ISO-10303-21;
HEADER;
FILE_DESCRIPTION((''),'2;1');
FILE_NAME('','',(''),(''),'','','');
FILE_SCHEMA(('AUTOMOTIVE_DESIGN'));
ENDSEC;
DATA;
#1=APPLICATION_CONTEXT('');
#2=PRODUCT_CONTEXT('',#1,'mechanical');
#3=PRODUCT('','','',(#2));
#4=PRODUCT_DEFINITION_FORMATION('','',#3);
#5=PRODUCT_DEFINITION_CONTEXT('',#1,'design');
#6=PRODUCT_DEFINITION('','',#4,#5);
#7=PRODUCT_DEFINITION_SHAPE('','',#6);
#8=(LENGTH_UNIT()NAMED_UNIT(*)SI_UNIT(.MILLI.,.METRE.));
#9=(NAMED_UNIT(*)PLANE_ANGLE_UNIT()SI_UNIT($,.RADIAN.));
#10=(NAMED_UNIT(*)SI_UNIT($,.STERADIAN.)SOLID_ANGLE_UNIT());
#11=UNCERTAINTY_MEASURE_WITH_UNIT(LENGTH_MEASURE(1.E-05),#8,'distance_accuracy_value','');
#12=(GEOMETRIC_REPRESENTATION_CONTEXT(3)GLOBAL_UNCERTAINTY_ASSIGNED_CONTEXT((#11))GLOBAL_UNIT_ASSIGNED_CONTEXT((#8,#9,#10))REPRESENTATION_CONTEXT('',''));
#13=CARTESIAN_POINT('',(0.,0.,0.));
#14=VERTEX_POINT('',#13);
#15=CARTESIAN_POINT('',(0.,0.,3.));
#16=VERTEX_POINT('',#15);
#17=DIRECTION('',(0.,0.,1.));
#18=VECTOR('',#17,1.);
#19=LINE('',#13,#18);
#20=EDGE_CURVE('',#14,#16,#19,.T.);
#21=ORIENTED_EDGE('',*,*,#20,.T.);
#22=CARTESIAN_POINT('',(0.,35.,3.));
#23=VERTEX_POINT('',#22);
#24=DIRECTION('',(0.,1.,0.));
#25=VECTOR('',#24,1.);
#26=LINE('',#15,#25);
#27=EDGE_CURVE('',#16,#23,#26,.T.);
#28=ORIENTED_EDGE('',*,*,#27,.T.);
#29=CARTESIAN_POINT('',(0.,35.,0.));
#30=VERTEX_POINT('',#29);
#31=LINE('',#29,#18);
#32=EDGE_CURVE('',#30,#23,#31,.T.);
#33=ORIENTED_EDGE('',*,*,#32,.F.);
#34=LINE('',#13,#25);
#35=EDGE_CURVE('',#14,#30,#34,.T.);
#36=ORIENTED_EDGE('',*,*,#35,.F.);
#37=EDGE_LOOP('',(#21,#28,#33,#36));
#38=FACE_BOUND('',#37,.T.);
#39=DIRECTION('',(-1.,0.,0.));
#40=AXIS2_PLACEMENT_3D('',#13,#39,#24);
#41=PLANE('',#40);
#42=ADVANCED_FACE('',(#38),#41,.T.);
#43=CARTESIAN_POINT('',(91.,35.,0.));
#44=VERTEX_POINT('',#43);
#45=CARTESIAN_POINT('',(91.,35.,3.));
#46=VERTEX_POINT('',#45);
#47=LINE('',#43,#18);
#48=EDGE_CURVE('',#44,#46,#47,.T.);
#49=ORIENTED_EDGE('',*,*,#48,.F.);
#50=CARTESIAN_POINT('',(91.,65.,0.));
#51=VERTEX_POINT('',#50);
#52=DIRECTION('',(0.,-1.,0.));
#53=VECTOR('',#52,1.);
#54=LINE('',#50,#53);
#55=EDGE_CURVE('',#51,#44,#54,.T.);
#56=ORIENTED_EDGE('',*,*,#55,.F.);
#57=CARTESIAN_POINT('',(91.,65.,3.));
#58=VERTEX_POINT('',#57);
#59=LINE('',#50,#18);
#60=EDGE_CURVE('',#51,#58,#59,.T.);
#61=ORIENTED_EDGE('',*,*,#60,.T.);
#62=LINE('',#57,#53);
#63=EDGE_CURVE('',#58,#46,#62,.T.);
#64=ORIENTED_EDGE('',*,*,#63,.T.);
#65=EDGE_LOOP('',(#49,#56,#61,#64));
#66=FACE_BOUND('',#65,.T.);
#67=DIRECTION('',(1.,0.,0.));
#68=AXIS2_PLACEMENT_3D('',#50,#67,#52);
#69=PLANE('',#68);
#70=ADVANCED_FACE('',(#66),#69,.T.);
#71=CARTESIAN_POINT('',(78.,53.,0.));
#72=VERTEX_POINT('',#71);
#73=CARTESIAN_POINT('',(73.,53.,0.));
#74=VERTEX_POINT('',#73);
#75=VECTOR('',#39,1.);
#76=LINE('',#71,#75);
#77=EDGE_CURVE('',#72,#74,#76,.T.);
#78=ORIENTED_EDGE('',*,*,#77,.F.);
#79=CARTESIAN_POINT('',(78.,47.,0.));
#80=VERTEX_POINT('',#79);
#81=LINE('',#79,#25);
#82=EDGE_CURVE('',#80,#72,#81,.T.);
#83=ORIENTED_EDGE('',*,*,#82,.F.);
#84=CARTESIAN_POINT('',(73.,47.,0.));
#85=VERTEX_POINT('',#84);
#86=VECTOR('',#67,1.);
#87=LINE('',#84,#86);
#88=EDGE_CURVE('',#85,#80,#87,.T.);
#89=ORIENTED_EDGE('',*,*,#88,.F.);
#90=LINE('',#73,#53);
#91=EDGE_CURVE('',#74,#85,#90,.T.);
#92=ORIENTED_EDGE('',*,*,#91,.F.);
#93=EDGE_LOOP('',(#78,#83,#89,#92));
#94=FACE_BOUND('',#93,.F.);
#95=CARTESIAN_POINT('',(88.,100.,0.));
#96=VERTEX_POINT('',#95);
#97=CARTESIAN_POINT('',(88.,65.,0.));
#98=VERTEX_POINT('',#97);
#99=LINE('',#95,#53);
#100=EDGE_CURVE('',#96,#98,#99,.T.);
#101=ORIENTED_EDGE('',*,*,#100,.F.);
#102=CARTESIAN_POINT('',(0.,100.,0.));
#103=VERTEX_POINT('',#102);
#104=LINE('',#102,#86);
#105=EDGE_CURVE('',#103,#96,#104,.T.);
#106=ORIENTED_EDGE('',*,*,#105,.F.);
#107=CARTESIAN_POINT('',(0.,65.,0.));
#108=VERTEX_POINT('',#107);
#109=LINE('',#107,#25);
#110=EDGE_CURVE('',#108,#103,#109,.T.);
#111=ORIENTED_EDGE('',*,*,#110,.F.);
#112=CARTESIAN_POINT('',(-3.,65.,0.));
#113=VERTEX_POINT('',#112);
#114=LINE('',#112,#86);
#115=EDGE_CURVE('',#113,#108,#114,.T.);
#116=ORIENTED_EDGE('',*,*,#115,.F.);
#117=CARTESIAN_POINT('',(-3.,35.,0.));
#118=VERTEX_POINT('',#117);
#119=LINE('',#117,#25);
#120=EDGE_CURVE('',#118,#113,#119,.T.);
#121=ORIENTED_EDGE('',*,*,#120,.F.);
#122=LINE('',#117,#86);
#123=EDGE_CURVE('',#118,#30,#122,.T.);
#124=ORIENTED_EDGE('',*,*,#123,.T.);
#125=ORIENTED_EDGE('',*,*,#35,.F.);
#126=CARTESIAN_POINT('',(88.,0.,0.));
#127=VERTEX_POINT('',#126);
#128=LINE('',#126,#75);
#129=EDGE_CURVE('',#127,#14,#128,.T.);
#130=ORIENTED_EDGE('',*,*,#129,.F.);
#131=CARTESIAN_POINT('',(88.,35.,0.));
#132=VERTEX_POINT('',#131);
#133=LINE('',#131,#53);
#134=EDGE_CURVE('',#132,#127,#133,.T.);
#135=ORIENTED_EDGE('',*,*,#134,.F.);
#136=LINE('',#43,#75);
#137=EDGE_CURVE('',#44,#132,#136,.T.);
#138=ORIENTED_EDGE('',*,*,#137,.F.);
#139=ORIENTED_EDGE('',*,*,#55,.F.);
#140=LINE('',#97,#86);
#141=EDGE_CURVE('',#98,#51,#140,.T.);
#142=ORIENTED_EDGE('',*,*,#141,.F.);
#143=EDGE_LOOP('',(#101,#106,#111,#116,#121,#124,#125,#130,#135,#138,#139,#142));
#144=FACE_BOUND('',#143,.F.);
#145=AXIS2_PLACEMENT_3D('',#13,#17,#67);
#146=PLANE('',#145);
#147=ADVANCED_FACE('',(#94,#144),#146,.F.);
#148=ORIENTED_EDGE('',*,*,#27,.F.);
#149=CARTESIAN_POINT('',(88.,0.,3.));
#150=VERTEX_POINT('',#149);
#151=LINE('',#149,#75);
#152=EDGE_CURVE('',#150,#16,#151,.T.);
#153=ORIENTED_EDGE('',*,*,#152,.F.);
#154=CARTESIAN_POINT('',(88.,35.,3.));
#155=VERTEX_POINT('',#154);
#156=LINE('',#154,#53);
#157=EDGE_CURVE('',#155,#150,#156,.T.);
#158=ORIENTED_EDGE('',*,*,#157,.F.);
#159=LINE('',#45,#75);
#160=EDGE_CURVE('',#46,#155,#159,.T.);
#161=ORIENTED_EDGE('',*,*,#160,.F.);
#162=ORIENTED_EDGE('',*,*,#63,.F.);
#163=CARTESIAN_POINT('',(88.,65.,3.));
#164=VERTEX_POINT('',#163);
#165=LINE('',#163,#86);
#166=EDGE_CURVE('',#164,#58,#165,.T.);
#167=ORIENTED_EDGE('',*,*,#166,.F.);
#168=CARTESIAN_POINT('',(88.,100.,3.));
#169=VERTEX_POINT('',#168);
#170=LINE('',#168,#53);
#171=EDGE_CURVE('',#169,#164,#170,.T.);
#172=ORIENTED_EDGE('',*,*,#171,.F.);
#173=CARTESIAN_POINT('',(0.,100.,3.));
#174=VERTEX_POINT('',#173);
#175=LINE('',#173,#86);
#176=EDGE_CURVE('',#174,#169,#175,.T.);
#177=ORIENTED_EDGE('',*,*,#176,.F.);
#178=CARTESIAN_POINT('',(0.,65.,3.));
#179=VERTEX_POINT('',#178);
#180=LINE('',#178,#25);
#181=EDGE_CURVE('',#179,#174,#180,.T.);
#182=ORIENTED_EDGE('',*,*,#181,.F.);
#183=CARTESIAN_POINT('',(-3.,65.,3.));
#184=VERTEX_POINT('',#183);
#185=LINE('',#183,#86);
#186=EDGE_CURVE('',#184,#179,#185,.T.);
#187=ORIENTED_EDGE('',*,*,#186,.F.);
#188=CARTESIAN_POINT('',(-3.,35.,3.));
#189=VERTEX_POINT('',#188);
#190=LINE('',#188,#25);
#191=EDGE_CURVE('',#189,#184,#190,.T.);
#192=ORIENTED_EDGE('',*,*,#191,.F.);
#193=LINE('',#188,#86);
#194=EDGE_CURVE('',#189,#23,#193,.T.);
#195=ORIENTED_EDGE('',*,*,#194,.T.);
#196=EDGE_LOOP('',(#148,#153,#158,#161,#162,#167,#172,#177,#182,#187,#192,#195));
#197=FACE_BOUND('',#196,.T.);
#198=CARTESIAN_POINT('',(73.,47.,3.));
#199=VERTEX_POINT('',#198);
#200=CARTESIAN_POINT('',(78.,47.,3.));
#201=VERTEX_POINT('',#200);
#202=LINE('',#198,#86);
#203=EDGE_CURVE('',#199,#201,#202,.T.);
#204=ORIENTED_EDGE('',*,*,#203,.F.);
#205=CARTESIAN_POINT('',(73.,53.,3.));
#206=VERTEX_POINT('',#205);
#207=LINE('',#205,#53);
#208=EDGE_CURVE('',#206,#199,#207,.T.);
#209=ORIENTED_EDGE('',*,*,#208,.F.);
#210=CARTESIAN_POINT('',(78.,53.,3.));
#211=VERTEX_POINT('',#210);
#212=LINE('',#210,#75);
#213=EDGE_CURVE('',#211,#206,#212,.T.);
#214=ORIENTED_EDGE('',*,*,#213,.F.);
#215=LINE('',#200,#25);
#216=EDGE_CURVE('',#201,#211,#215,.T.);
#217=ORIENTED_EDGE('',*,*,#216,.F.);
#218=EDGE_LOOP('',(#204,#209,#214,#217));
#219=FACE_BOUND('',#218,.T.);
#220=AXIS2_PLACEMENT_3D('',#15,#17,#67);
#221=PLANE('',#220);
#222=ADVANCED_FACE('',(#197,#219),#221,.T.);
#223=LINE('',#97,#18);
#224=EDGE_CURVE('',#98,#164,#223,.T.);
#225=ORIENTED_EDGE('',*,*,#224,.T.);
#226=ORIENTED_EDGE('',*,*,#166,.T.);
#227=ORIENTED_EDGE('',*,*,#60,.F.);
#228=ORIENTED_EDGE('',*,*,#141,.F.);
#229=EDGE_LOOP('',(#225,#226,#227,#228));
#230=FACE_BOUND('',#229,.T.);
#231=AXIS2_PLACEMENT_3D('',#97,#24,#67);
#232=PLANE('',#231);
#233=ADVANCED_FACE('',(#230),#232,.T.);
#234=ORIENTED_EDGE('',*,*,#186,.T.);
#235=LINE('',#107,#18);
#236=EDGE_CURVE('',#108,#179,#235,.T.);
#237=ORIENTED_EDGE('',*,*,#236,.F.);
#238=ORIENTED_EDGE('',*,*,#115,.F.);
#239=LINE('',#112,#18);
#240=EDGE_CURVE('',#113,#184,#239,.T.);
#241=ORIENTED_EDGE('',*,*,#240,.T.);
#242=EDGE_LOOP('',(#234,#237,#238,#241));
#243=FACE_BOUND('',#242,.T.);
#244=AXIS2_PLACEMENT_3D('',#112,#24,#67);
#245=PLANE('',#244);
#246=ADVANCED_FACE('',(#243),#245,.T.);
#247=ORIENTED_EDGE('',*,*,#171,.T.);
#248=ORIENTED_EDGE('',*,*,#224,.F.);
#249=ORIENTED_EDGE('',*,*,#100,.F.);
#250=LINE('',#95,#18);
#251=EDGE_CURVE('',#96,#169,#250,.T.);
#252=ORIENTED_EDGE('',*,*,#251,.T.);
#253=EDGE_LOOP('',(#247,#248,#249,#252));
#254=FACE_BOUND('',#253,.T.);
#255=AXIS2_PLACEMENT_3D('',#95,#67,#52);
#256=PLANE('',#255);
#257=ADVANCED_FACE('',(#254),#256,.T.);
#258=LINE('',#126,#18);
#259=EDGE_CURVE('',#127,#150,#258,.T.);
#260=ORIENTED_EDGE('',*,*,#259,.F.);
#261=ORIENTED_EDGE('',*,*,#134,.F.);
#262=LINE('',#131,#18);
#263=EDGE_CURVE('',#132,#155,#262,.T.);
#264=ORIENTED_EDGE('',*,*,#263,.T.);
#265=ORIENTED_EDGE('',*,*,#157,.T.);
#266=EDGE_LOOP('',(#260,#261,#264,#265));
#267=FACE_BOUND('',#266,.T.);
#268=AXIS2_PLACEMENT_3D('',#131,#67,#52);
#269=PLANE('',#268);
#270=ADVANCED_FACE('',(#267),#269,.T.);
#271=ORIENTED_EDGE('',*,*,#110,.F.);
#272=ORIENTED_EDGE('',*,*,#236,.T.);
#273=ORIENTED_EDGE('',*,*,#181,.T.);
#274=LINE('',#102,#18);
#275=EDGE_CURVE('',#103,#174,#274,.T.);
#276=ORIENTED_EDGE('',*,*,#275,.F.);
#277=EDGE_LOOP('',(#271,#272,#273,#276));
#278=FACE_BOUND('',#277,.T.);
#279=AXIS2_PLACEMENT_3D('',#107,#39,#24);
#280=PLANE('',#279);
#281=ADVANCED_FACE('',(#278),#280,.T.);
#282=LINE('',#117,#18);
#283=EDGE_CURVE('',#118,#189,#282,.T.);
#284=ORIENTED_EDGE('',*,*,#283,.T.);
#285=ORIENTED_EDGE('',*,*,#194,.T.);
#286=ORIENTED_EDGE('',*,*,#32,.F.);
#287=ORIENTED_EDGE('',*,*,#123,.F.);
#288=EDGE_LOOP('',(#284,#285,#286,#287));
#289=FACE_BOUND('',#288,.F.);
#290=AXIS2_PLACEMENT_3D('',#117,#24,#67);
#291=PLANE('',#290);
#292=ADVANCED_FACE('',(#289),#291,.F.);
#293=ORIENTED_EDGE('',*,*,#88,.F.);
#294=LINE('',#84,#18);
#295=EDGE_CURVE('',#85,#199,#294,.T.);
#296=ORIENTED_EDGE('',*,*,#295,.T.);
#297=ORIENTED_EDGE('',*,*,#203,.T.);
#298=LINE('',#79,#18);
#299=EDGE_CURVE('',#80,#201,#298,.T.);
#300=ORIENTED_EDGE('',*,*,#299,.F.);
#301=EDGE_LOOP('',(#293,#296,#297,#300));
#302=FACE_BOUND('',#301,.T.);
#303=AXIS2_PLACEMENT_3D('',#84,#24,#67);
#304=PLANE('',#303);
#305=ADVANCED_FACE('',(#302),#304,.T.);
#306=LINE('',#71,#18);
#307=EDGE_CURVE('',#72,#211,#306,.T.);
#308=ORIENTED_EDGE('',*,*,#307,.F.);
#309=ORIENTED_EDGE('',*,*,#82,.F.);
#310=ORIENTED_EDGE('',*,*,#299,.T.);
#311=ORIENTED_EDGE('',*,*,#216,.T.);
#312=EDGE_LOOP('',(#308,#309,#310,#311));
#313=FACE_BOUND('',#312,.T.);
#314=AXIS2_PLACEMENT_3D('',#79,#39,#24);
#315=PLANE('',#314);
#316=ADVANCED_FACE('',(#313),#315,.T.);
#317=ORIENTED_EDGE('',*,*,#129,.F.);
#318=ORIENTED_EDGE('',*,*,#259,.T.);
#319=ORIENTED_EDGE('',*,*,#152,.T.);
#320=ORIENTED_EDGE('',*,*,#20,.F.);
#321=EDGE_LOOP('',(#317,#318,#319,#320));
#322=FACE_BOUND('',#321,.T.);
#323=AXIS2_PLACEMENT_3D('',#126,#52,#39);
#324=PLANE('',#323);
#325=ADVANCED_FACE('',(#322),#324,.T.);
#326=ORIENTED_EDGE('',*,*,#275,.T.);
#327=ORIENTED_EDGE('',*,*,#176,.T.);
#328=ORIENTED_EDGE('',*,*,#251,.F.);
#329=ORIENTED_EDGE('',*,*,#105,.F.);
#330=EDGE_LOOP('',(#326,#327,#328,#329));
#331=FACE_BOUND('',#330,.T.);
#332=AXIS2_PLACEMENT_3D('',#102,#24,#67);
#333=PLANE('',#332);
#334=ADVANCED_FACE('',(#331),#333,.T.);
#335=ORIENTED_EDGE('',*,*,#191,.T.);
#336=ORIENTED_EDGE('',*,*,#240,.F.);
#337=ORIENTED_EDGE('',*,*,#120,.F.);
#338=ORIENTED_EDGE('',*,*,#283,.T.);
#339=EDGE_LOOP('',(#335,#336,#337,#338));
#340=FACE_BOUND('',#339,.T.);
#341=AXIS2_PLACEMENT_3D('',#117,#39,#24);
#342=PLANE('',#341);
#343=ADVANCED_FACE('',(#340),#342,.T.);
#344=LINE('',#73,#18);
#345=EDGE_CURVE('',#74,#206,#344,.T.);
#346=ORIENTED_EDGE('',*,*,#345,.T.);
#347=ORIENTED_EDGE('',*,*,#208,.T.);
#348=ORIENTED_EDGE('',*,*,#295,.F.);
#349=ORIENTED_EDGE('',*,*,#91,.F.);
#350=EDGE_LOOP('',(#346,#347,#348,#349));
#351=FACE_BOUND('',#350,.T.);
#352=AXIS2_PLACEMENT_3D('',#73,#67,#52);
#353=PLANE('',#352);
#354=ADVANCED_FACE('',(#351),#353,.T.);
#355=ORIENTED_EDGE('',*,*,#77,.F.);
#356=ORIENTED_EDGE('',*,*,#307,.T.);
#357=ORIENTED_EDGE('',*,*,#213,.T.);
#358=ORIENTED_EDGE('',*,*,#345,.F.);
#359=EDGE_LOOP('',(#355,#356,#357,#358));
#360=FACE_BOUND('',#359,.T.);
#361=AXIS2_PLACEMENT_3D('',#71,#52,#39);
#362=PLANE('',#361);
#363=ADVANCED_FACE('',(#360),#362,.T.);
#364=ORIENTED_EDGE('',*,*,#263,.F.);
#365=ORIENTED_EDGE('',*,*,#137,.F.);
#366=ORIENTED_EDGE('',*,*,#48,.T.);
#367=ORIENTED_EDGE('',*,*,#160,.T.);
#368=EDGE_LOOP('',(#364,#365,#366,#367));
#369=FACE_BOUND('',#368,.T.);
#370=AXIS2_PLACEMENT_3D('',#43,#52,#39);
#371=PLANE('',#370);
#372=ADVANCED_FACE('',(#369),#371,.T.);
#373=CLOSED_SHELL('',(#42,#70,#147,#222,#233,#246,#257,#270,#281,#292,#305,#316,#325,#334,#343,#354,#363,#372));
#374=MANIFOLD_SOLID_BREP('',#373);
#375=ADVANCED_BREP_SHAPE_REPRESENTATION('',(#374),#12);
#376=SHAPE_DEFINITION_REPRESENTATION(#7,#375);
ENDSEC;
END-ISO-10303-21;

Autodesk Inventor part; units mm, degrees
ref_plane "YZ Plane" through (0, 0, 0) normal (1, 0, 0) x (0, 1, 0)
ref_plane "XZ Plane" through (0, 0, 0) normal (0, 1, 0) x (-1, 0, 0)
ref_plane "XY Plane" through (0, 0, 0) normal (0, 0, 1) x (1, 0, 0)
sketch "Sketch1" plane through (0, 0, 0) normal (0, 0, 1) x (1, 0, 0)
  line L0 (-3, 35) -> (0, 35)
  line L1 (-3, 35) -> (-3, 65)
  line L2 (-3, 65) -> (0, 65)
  line L3 (0, 65) -> (0, 100)
  line L4 (0, 100) -> (88, 100)
  line L5 (88, 100) -> (88, 65)
  line L6 (88, 65) -> (91, 65)
  line L7 (91, 65) -> (91, 35)
  line L8 (91, 35) -> (88, 35)
  line L9 (88, 35) -> (88, 0)
  line L10 (88, 0) -> (0, 0)
  line L11 (0, 0) -> (0, 35)
  line L12 (78, 53) -> (73, 53)
  line L13 (73, 53) -> (73, 47)
  line L14 (73, 47) -> (78, 47)
  line L15 (78, 47) -> (78, 53)
  point P0 (78, 50)
  point P1 (91, 50)
  dimension "d0" = 3
  dimension "d10" = 30
  dimension "d21" = 35
  dimension "d22" = 100
  dimension "d23" = 5
  dimension "d24" = 6
  dimension "d30" = 88
  dimension "d31" = 10
  dimension "d32" = 3
extrude "Extrusion1" add sketch "Sketch1" along normal blind 3
